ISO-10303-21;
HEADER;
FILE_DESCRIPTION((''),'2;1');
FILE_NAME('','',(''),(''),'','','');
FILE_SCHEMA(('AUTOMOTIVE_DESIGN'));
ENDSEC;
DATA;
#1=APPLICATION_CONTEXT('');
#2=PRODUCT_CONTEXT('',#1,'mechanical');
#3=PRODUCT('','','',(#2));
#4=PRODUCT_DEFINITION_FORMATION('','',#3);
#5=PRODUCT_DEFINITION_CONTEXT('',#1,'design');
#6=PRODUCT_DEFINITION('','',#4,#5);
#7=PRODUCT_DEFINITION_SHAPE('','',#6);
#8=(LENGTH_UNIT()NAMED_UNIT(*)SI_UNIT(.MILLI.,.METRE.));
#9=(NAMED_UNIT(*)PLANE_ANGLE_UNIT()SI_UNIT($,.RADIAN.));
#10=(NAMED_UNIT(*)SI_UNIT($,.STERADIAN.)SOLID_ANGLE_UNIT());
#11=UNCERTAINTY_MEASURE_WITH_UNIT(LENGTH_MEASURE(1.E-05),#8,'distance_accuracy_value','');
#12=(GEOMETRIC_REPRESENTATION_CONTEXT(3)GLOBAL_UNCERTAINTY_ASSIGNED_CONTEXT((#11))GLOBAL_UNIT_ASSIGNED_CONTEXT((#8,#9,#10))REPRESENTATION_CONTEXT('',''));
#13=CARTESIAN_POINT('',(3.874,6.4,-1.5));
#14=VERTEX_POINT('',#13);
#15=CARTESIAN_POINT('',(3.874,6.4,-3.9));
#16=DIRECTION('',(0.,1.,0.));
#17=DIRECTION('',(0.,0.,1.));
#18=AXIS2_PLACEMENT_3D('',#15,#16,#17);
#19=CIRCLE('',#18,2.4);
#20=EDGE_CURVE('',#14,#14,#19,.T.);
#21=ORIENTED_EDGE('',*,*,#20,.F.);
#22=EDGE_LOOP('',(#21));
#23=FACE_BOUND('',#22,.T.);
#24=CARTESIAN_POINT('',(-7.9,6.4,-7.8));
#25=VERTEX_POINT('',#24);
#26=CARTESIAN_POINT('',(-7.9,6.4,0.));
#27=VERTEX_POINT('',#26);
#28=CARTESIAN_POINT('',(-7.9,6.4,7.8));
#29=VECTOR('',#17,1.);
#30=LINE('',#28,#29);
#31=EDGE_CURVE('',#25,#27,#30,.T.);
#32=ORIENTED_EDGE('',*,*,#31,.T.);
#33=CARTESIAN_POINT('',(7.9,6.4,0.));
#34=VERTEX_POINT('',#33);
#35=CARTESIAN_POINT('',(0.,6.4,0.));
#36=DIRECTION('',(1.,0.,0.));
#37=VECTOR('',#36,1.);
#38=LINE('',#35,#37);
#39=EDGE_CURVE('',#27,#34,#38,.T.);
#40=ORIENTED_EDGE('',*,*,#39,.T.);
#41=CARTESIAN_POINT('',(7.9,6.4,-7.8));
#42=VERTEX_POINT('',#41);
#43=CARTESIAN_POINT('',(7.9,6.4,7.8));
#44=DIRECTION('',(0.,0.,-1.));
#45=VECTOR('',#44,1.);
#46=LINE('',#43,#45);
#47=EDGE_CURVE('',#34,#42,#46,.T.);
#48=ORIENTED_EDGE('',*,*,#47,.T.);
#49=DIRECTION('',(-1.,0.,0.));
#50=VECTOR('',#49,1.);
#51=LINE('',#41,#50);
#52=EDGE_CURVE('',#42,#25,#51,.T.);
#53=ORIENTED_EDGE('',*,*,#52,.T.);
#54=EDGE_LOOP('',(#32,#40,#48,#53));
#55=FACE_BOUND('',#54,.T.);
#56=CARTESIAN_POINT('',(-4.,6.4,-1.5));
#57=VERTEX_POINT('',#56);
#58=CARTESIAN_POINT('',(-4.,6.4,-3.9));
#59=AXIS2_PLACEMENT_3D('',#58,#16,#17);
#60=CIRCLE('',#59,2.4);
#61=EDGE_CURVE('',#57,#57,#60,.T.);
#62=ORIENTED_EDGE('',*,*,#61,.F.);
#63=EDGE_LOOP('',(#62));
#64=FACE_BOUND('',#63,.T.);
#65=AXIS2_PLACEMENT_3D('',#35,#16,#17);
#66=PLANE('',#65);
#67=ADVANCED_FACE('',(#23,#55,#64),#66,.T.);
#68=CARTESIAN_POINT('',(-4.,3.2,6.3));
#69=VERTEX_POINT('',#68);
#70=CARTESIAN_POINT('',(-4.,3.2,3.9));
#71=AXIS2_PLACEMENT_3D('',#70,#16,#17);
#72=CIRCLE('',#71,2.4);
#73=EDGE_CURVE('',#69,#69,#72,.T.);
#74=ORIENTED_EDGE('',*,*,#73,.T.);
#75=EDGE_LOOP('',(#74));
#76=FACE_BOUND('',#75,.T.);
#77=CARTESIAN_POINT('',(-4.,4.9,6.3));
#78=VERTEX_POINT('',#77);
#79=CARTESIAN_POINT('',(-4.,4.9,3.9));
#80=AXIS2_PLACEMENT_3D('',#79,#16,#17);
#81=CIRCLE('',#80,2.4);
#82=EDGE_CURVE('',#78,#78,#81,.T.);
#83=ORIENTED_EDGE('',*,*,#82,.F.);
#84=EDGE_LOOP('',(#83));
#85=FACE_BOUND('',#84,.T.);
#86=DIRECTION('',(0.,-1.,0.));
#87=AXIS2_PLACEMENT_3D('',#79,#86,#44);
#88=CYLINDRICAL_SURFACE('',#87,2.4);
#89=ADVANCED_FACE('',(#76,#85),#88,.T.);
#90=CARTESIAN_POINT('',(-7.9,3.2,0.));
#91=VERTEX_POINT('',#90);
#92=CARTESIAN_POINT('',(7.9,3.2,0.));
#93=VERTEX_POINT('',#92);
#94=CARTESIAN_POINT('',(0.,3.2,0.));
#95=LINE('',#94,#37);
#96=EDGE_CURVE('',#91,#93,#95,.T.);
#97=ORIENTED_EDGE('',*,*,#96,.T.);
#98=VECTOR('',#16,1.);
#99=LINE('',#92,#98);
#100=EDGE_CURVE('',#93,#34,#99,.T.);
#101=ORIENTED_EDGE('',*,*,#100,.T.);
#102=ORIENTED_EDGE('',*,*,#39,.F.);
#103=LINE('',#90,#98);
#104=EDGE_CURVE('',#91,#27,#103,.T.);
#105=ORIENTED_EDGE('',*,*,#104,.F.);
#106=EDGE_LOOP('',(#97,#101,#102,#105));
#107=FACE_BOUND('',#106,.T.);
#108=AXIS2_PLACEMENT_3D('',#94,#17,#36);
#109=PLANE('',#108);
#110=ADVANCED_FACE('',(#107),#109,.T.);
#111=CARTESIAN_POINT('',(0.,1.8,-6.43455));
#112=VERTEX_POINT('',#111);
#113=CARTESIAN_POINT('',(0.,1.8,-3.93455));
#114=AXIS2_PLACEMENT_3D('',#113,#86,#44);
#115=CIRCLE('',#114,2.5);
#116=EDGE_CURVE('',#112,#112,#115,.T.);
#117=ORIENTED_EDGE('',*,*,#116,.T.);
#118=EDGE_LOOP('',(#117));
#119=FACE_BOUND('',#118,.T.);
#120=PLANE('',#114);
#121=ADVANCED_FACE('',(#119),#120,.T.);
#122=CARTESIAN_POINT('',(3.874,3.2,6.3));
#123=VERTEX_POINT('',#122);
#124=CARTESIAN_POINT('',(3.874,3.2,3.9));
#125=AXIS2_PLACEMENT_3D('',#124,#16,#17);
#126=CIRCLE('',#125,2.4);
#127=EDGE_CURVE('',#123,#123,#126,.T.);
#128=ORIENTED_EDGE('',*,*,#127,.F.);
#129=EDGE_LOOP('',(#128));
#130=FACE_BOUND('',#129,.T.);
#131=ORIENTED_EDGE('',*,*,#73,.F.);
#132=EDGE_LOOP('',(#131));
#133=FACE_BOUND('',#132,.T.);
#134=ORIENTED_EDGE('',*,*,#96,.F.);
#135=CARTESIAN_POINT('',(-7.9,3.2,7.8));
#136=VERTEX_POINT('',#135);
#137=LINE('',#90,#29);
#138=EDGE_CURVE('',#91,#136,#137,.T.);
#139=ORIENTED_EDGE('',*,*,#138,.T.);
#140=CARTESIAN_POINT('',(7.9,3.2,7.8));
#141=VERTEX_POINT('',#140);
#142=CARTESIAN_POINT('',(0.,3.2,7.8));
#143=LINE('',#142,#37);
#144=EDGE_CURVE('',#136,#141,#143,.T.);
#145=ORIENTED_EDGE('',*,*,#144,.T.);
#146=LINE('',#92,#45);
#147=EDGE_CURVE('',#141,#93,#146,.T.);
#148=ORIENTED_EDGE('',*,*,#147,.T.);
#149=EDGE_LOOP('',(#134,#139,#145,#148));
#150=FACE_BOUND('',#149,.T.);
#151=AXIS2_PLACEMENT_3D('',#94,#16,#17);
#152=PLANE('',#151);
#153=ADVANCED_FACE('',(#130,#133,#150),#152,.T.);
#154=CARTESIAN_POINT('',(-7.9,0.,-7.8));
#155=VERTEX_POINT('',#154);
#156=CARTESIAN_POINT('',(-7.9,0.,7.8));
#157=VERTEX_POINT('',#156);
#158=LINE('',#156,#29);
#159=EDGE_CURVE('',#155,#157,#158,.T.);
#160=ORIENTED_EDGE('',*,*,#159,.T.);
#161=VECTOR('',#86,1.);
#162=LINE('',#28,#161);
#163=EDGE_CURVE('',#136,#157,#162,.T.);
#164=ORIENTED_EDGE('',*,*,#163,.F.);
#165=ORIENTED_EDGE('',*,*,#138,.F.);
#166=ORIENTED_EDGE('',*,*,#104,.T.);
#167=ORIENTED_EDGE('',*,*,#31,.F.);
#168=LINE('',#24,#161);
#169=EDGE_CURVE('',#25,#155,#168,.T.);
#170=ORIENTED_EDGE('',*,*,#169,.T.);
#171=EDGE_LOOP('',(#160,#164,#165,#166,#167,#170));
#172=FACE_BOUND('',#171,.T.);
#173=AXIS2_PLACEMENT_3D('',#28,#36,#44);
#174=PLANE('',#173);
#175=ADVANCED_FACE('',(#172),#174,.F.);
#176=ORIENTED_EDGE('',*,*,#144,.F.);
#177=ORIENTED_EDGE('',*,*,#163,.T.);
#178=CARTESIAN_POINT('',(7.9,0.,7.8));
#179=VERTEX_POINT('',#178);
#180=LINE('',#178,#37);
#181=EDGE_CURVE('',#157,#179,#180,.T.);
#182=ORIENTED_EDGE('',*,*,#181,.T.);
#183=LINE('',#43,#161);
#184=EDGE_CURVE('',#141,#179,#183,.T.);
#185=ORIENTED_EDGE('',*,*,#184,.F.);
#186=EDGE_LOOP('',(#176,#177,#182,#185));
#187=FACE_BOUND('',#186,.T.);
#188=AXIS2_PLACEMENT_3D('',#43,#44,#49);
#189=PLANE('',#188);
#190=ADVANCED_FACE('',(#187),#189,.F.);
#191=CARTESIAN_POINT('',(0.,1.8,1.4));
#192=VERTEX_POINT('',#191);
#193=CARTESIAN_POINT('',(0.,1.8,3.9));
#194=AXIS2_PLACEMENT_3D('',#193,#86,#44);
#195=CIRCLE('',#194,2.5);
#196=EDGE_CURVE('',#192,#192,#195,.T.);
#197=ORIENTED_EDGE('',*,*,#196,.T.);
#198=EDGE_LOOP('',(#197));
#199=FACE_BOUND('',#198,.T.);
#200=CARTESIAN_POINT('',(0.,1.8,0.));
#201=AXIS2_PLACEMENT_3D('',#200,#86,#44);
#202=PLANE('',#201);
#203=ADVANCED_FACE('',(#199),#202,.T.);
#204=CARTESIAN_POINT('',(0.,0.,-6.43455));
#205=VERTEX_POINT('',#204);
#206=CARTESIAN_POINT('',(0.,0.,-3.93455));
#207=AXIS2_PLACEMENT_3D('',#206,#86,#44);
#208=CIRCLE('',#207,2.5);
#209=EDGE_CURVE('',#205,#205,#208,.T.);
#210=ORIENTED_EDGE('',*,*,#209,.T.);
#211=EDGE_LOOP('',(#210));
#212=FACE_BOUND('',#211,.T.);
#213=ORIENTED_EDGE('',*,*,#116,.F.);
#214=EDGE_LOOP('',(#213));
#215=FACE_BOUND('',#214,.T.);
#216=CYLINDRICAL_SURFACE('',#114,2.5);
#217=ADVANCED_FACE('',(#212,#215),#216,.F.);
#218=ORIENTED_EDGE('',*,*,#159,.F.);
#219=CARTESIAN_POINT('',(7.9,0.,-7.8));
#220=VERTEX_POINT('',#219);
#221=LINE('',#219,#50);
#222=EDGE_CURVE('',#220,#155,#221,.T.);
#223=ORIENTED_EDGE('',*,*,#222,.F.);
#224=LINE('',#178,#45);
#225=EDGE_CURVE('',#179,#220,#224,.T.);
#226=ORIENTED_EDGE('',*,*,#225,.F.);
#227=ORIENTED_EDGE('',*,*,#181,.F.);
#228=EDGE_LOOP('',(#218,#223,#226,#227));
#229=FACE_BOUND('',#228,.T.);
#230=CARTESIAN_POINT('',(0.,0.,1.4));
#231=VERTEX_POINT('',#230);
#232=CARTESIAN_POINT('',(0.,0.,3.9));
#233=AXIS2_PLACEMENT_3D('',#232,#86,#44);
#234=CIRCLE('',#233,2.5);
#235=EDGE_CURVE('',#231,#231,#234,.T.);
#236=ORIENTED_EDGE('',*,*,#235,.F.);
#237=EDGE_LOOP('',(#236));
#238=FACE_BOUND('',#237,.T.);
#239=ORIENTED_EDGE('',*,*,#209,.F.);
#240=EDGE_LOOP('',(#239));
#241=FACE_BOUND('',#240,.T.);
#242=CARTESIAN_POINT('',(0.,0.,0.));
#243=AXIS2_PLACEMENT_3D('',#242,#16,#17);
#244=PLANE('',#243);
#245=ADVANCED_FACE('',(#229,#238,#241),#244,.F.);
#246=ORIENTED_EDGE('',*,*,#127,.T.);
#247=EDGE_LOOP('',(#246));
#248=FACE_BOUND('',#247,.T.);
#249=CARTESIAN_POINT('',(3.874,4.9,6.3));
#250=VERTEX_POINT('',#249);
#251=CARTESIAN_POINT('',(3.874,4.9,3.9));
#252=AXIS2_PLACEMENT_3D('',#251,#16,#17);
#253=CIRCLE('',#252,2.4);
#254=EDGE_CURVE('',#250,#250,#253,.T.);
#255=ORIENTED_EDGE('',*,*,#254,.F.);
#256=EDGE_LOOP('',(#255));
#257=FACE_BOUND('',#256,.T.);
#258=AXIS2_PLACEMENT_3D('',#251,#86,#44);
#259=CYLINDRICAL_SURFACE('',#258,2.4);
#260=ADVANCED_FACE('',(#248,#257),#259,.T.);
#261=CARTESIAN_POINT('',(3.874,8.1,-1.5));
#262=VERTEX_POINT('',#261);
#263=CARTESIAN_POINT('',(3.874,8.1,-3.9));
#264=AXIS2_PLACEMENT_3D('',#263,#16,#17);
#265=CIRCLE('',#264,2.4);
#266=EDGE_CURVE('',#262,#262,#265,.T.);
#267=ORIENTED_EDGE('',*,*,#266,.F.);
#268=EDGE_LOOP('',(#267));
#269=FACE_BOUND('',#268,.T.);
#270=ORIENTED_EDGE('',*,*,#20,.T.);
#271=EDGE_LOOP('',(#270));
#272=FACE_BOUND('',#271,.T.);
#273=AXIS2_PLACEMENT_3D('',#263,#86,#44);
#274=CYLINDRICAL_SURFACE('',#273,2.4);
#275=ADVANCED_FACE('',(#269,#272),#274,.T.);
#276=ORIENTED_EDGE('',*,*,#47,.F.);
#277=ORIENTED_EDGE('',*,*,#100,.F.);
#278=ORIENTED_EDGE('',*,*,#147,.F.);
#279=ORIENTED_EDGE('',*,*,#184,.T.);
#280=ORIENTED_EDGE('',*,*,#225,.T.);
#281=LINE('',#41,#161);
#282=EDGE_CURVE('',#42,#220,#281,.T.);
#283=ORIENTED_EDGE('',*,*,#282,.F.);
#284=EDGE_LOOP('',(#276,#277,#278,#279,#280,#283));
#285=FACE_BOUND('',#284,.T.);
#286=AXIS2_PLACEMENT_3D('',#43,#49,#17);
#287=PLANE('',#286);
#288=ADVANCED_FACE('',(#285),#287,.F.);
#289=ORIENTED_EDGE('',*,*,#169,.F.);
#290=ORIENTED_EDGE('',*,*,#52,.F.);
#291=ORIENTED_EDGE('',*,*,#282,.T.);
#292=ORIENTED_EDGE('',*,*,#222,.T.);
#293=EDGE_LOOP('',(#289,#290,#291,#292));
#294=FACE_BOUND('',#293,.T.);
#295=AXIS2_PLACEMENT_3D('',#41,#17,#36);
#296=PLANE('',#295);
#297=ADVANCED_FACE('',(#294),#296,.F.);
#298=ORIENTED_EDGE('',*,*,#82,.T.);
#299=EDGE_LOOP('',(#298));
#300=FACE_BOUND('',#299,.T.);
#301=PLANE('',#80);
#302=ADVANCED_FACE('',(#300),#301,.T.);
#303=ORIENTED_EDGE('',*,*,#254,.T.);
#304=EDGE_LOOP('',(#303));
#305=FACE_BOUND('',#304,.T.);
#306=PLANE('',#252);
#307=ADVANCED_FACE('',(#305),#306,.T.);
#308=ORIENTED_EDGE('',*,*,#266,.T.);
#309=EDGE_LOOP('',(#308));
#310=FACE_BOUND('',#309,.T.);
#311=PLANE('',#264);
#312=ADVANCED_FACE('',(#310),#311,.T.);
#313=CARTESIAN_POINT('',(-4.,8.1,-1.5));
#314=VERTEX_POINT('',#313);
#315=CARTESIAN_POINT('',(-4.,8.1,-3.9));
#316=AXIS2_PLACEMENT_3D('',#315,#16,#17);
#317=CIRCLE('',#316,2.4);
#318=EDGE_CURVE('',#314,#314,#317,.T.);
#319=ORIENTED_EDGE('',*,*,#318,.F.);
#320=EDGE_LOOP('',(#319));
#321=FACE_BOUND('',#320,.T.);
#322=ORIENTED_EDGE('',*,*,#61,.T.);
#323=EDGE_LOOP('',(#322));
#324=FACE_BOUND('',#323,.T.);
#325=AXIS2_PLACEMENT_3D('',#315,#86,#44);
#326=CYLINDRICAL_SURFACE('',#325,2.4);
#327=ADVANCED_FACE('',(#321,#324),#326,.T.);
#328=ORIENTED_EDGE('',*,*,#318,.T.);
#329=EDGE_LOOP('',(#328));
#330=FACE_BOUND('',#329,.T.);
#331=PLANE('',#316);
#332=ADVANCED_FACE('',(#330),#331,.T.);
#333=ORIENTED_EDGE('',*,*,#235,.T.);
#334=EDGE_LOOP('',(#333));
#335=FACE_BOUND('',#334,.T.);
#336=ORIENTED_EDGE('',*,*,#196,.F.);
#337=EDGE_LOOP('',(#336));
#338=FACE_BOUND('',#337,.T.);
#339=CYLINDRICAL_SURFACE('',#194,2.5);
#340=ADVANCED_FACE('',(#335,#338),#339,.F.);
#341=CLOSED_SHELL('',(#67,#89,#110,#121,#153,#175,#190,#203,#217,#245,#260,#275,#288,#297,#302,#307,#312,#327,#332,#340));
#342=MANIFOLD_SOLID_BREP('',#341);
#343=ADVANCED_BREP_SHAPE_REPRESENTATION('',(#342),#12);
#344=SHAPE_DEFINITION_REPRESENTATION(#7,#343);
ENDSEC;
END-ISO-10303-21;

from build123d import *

# Parameters (mm, degrees)
SKETCH_1_W          = 15.8
SKETCH_1_H          = 15.600000042
EXTRUDE_2_DEPTH     = 6.4
CUT_EXTRUDE_1_DEPTH = 3.2
SKETCH_3_R          = 2.400000003
EXTRUDE_3_DEPTH     = 1.7
SKETCH_4_R          = 2.4
EXTRUDE_4_DEPTH     = 1.7
CUT_EXTRUDE_2_DEPTH = 1.8
SKETCH_6_R          = 2.5
CUT_EXTRUDE_3_DEPTH = 1.8


with BuildPart() as part:
    # Эскиз1 → Бобышка-Вытянуть2 (new body)
    with BuildSketch(Plane(origin=(0, 0, 0), x_dir=(1, 0, 0), z_dir=(0, 1, 0))):
        Rectangle(SKETCH_1_W, SKETCH_1_H)
    extrude(amount=EXTRUDE_2_DEPTH)

    # Эскиз2 → Вырез-Вытянуть1 (cut)
    with BuildSketch(Plane(origin=(0, 6.4, 0), x_dir=(1, 0, 0), z_dir=(0, 1, 0))):
        Polygon((7.9, 0), (0, 0), (-7.9, 0), (-7.9, -7.800000021), (7.9, -7.800000021), align=None)
    extrude(amount=-CUT_EXTRUDE_1_DEPTH, mode=Mode.SUBTRACT)

    # Эскиз3 → Бобышка-Вытянуть3 (add)
    with BuildSketch(Plane(origin=(0, 3.2, 0), x_dir=(1, 0, 0), z_dir=(0, 1, 0))):
        with Locations(Location((-4, -3.900000021, 0), (0, 0, 270))):
            Circle(SKETCH_3_R)
        with Locations(Location((3.874, -3.900000021, 0), (0, 0, 270))):
            Circle(SKETCH_3_R)
    extrude(amount=EXTRUDE_3_DEPTH)

    # Эскиз4 → Бобышка-Вытянуть4 (add)
    with BuildSketch(Plane(origin=(0, 6.4, 0), x_dir=(1, 0, 0), z_dir=(0, 1, 0))):
        with Locations(Location((-4, 3.900000021, 0), (0, 0, 270))):
            Circle(SKETCH_4_R)
        with Locations(Location((3.874, 3.900000021, 0), (0, 0, 270))):
            Circle(SKETCH_4_R)
    extrude(amount=EXTRUDE_4_DEPTH)

    # Эскиз5 → Вырез-Вытянуть2 (cut)
    with BuildSketch(Plane.XZ):
        with BuildLine():
            ThreePointArc((2.241714395, 5.006669145), (0, 6.400000011), (-2.241714395, 5.006669145))
            Line((-2.241714395, 5.006669145), (0, 3.900000011))
            Line((0, 3.900000011), (2.241714395, 5.006669145))
        make_face()
        with BuildLine():
            Line((0, 3.900000011), (-2.241714395, 5.006669145))
            ThreePointArc((-2.241714395, 5.006669145), (-2.5, 3.900000011), (-2.241714395, 2.793330876))
            Line((-2.241714395, 2.793330876), (0, 3.900000011))
        make_face()
        with BuildLine():
            Line((0, 3.900000011), (-2.241714395, 2.793330876))
            ThreePointArc((-2.241714395, 2.793330876), (0, 1.400000011), (2.241714395, 2.793330876))
            Line((2.241714395, 2.793330876), (0, 3.900000011))
        make_face()
        with BuildLine():
            Line((2.241714395, 5.006669145), (0, 3.900000011))
            Line((0, 3.900000011), (2.241714395, 2.793330876))
            ThreePointArc((2.241714395, 2.793330876), (2.434572446, 3.331794936), (2.5, 3.900000011))
            ThreePointArc((2.5, 3.900000011), (2.434572446, 4.468205085), (2.241714395, 5.006669145))
        make_face()
    extrude(amount=-CUT_EXTRUDE_2_DEPTH, mode=Mode.SUBTRACT)

    # Эскиз6 → Вырез-Вытянуть3 (cut)
    with BuildSketch(Plane.XZ):
        with Locations(Location((0, -3.934549789, 0), (0, 0, 270))):
            Circle(SKETCH_6_R)
    extrude(amount=-CUT_EXTRUDE_3_DEPTH, mode=Mode.SUBTRACT)


solid = part.part
